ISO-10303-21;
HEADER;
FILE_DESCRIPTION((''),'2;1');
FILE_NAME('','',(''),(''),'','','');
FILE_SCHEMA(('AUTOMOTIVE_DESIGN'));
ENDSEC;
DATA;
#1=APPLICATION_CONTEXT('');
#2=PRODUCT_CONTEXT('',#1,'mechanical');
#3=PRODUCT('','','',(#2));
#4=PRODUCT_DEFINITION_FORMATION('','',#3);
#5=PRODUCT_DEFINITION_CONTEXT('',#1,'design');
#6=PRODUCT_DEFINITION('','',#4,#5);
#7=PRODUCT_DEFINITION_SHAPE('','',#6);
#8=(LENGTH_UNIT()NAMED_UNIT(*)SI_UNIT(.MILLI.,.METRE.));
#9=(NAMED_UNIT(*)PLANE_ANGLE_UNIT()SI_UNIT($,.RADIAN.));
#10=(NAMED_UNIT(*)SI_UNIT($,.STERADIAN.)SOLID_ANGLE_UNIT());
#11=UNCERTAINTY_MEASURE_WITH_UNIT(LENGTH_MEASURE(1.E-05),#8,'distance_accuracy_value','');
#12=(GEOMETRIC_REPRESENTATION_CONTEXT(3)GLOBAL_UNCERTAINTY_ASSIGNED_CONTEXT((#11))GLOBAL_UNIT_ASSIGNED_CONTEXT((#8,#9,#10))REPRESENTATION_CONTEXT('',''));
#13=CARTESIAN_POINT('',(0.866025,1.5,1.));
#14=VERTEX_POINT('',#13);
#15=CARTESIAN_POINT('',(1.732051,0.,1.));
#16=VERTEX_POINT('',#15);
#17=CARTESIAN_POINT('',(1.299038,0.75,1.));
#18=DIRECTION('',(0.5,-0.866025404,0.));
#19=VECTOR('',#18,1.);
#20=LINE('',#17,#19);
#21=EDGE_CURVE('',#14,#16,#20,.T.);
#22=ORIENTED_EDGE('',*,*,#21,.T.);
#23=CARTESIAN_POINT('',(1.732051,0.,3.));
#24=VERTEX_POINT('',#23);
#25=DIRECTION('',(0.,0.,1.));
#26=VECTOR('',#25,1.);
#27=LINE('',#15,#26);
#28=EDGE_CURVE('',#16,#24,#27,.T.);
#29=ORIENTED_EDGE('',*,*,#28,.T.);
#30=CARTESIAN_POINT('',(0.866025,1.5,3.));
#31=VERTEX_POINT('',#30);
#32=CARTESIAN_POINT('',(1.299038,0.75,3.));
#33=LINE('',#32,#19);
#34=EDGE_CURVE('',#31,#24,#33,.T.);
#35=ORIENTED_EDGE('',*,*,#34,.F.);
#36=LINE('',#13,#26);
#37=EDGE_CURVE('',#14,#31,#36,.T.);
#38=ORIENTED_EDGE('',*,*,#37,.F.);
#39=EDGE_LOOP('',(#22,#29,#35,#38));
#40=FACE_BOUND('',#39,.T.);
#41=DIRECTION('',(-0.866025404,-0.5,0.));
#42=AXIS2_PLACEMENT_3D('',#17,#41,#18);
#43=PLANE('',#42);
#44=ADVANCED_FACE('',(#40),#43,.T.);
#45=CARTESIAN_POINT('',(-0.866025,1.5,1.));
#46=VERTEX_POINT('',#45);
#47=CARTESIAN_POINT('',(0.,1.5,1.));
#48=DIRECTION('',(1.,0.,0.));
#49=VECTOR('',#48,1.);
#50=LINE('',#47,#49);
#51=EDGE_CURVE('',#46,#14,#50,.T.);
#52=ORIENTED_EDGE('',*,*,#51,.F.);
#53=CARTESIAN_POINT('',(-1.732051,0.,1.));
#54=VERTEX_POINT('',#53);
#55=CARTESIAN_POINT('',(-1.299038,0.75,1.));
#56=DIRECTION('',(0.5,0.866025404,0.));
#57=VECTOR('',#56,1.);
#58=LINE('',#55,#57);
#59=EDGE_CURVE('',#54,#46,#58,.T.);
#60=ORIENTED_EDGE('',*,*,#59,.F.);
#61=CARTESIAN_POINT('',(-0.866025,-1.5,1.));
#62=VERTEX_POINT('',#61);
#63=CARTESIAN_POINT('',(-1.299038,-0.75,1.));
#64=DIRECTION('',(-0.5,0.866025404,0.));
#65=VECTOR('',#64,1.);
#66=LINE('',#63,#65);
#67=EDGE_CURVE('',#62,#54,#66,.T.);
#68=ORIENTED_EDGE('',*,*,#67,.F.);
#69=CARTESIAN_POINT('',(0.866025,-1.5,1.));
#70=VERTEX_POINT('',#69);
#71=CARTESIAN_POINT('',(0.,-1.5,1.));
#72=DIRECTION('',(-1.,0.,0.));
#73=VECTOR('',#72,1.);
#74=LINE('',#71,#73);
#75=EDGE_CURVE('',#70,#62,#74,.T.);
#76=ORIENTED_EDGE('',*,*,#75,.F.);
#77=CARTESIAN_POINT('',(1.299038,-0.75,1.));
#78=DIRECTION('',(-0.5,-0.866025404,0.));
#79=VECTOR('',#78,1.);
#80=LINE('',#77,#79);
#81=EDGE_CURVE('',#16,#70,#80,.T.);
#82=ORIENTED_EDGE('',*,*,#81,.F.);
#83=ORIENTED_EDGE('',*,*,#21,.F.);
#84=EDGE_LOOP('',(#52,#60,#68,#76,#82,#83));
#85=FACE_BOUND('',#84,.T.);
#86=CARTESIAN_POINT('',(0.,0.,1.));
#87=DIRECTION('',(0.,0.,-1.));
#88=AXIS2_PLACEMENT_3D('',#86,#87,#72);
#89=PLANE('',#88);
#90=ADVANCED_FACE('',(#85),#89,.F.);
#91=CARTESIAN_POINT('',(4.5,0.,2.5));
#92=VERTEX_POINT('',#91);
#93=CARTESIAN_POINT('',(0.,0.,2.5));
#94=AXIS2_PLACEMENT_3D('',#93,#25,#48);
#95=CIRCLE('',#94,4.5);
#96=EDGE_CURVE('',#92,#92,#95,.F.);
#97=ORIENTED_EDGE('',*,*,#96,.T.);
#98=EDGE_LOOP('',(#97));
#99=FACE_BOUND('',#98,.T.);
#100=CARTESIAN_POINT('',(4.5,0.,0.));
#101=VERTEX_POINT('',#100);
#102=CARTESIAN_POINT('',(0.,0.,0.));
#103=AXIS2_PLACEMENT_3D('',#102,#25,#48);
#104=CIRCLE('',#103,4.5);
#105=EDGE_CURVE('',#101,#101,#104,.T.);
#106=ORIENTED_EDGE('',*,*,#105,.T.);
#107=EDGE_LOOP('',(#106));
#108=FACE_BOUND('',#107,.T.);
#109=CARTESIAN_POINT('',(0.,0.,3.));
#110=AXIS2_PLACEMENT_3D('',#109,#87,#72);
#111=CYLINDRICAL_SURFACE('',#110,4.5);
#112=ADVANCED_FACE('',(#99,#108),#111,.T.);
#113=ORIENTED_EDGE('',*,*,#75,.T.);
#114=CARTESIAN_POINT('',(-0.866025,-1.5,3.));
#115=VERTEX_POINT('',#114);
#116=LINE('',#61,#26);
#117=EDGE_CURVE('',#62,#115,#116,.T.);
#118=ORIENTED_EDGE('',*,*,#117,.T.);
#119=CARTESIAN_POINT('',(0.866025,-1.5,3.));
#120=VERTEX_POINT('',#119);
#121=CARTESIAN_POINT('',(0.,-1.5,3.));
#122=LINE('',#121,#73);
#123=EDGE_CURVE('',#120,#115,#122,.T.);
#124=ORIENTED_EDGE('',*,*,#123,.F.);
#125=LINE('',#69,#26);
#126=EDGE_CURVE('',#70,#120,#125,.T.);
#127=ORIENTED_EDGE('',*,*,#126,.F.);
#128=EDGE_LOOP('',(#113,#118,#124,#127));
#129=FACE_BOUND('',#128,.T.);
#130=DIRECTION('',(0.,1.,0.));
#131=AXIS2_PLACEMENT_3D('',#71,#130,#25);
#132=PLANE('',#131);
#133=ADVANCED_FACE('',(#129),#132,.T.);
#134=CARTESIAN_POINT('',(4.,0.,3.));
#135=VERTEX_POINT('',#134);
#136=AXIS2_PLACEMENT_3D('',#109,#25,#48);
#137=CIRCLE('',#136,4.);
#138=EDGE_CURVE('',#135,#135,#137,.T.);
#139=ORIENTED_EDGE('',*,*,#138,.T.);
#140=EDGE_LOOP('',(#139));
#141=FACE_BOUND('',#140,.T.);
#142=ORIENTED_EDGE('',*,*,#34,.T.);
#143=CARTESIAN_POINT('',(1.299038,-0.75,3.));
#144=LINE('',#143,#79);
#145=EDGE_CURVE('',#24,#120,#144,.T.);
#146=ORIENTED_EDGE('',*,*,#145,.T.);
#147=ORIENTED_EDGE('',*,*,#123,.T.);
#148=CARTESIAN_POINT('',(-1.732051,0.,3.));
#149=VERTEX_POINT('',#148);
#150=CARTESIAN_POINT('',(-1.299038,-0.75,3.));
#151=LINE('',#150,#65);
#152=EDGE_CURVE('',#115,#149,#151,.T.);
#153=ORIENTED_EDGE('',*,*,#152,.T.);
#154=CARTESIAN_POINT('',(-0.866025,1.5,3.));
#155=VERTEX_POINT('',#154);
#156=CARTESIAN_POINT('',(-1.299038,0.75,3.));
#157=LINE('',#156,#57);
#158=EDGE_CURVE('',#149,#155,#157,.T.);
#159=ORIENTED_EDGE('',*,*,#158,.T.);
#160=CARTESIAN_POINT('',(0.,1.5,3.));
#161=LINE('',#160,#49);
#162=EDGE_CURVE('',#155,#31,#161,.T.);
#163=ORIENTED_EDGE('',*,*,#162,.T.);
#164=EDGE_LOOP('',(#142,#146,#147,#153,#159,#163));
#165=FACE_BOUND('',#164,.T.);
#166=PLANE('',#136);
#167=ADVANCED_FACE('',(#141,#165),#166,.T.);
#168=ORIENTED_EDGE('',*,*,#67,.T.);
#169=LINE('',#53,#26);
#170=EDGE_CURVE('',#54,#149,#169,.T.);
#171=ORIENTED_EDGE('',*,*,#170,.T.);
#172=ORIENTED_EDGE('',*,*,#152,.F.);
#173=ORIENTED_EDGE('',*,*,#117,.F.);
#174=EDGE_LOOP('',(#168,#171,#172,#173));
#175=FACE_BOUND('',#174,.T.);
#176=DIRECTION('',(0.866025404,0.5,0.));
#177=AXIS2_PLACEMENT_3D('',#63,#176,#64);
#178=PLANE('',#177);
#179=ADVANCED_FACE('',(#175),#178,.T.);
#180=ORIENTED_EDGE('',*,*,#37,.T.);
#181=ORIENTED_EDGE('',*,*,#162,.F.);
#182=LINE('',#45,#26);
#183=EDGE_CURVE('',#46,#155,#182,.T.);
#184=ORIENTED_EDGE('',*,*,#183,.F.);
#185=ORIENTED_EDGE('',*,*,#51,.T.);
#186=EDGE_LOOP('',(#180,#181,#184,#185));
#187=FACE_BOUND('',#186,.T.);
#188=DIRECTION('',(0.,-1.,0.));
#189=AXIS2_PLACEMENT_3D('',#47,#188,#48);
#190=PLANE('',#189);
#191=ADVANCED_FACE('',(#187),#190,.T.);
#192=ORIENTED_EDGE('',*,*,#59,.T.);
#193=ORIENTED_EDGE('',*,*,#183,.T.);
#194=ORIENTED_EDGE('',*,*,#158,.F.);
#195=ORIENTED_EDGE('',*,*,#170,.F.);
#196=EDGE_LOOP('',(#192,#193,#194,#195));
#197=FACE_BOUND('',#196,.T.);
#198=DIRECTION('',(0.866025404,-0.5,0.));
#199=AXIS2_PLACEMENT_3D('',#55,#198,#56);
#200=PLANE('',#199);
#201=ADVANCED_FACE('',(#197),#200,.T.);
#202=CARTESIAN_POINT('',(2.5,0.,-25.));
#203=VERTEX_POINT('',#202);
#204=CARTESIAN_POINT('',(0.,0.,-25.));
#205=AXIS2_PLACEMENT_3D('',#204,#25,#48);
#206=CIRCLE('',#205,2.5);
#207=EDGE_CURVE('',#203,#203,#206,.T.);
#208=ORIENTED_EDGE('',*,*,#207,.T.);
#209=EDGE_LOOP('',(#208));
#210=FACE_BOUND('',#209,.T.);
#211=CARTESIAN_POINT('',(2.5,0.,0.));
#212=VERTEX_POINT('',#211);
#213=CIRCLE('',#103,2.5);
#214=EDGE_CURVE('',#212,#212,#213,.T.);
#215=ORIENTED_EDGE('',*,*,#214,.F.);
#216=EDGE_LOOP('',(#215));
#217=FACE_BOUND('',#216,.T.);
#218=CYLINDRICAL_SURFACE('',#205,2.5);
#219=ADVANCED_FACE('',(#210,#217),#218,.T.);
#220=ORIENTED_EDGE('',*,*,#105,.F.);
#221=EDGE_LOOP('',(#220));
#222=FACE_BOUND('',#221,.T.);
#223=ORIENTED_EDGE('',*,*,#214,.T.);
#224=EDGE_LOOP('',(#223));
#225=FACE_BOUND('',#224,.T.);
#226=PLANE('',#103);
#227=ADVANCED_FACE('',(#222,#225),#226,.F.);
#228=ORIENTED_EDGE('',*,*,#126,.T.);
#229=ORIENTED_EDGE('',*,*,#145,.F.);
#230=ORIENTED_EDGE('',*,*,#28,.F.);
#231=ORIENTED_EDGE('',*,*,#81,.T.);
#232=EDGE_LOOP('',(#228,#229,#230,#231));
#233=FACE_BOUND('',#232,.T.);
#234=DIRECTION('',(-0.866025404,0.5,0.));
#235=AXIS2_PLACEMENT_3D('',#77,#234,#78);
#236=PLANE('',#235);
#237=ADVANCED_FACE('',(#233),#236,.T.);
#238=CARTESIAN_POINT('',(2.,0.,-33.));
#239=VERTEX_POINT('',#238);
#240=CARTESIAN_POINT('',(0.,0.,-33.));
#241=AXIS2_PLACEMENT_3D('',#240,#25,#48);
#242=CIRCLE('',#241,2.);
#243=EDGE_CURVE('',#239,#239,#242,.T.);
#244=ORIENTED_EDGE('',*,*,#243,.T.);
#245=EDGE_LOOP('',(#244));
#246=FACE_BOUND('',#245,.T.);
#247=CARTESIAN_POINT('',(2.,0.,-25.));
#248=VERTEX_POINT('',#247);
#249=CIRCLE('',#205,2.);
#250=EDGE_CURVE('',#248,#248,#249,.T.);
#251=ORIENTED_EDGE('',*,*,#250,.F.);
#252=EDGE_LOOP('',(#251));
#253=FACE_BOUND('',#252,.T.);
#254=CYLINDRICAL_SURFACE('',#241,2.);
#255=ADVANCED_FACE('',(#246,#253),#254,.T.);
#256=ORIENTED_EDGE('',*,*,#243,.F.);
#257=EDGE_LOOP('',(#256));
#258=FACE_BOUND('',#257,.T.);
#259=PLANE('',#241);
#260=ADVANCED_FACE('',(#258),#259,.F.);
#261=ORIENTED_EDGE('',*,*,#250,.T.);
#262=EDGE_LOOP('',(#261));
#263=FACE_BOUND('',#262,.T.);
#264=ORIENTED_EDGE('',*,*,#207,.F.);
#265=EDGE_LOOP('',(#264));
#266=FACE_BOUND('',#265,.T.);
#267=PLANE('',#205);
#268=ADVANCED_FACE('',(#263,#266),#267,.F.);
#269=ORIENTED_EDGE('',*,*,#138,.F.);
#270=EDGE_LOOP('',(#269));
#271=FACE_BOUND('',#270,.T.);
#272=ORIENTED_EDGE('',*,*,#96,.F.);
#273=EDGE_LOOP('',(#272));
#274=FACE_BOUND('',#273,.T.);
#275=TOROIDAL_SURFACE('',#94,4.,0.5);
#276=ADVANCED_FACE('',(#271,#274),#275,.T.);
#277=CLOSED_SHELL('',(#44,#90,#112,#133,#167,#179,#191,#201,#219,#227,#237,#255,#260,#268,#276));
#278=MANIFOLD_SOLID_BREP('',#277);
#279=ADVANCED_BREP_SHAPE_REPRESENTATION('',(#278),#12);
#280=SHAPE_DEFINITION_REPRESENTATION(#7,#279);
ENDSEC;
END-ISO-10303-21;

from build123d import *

# Parameters (mm, degrees)
SKETCH_1_R          = 4.5
EXTRUDE_1_DEPTH     = 3
SKETCH_2_R          = 2.5
EXTRUDE_2_DEPTH     = 25
EXTRUDE_START       = -25
SKETCH_3_R          = 2
EXTRUDE_3_DEPTH     = 8
CUT_EXTRUDE_START   = 3
CUT_EXTRUDE_1_DEPTH = 2
FILLET_1_R          = 0.5


with BuildPart() as part:
    # 草图1 → 凸台-拉伸1 (new body)
    with BuildSketch(Plane.XY):
        Circle(SKETCH_1_R)
    extrude(amount=EXTRUDE_1_DEPTH)

    # 草图2 → 凸台-拉伸2 (add)
    with BuildSketch(Plane.XY):
        Circle(SKETCH_2_R)
    extrude(amount=-EXTRUDE_2_DEPTH)

    # 草图3 → 凸台-拉伸3 (add)
    with BuildSketch(Plane.XY.offset(EXTRUDE_START)):
        Circle(SKETCH_3_R)
    extrude(amount=-EXTRUDE_3_DEPTH)

    # 草图4 → 切除-拉伸1 (cut)
    with BuildSketch(Plane.XY.offset(CUT_EXTRUDE_START)):
        Polygon((1.732050808, 0), (0.866025404, 1.5), (-0.866025404, 1.5), (-1.732050808, 0), (-0.866025404, -1.5), (0.866025404, -1.5), align=None)
    extrude(amount=-CUT_EXTRUDE_1_DEPTH, mode=Mode.SUBTRACT)

    # 圆角1
    fillet_1_edges = [part.edges().sort_by_distance(p)[0] for p in [
        (-4.5, 0, 3),
    ]]
    fillet(fillet_1_edges, radius=FILLET_1_R)


solid = part.part
